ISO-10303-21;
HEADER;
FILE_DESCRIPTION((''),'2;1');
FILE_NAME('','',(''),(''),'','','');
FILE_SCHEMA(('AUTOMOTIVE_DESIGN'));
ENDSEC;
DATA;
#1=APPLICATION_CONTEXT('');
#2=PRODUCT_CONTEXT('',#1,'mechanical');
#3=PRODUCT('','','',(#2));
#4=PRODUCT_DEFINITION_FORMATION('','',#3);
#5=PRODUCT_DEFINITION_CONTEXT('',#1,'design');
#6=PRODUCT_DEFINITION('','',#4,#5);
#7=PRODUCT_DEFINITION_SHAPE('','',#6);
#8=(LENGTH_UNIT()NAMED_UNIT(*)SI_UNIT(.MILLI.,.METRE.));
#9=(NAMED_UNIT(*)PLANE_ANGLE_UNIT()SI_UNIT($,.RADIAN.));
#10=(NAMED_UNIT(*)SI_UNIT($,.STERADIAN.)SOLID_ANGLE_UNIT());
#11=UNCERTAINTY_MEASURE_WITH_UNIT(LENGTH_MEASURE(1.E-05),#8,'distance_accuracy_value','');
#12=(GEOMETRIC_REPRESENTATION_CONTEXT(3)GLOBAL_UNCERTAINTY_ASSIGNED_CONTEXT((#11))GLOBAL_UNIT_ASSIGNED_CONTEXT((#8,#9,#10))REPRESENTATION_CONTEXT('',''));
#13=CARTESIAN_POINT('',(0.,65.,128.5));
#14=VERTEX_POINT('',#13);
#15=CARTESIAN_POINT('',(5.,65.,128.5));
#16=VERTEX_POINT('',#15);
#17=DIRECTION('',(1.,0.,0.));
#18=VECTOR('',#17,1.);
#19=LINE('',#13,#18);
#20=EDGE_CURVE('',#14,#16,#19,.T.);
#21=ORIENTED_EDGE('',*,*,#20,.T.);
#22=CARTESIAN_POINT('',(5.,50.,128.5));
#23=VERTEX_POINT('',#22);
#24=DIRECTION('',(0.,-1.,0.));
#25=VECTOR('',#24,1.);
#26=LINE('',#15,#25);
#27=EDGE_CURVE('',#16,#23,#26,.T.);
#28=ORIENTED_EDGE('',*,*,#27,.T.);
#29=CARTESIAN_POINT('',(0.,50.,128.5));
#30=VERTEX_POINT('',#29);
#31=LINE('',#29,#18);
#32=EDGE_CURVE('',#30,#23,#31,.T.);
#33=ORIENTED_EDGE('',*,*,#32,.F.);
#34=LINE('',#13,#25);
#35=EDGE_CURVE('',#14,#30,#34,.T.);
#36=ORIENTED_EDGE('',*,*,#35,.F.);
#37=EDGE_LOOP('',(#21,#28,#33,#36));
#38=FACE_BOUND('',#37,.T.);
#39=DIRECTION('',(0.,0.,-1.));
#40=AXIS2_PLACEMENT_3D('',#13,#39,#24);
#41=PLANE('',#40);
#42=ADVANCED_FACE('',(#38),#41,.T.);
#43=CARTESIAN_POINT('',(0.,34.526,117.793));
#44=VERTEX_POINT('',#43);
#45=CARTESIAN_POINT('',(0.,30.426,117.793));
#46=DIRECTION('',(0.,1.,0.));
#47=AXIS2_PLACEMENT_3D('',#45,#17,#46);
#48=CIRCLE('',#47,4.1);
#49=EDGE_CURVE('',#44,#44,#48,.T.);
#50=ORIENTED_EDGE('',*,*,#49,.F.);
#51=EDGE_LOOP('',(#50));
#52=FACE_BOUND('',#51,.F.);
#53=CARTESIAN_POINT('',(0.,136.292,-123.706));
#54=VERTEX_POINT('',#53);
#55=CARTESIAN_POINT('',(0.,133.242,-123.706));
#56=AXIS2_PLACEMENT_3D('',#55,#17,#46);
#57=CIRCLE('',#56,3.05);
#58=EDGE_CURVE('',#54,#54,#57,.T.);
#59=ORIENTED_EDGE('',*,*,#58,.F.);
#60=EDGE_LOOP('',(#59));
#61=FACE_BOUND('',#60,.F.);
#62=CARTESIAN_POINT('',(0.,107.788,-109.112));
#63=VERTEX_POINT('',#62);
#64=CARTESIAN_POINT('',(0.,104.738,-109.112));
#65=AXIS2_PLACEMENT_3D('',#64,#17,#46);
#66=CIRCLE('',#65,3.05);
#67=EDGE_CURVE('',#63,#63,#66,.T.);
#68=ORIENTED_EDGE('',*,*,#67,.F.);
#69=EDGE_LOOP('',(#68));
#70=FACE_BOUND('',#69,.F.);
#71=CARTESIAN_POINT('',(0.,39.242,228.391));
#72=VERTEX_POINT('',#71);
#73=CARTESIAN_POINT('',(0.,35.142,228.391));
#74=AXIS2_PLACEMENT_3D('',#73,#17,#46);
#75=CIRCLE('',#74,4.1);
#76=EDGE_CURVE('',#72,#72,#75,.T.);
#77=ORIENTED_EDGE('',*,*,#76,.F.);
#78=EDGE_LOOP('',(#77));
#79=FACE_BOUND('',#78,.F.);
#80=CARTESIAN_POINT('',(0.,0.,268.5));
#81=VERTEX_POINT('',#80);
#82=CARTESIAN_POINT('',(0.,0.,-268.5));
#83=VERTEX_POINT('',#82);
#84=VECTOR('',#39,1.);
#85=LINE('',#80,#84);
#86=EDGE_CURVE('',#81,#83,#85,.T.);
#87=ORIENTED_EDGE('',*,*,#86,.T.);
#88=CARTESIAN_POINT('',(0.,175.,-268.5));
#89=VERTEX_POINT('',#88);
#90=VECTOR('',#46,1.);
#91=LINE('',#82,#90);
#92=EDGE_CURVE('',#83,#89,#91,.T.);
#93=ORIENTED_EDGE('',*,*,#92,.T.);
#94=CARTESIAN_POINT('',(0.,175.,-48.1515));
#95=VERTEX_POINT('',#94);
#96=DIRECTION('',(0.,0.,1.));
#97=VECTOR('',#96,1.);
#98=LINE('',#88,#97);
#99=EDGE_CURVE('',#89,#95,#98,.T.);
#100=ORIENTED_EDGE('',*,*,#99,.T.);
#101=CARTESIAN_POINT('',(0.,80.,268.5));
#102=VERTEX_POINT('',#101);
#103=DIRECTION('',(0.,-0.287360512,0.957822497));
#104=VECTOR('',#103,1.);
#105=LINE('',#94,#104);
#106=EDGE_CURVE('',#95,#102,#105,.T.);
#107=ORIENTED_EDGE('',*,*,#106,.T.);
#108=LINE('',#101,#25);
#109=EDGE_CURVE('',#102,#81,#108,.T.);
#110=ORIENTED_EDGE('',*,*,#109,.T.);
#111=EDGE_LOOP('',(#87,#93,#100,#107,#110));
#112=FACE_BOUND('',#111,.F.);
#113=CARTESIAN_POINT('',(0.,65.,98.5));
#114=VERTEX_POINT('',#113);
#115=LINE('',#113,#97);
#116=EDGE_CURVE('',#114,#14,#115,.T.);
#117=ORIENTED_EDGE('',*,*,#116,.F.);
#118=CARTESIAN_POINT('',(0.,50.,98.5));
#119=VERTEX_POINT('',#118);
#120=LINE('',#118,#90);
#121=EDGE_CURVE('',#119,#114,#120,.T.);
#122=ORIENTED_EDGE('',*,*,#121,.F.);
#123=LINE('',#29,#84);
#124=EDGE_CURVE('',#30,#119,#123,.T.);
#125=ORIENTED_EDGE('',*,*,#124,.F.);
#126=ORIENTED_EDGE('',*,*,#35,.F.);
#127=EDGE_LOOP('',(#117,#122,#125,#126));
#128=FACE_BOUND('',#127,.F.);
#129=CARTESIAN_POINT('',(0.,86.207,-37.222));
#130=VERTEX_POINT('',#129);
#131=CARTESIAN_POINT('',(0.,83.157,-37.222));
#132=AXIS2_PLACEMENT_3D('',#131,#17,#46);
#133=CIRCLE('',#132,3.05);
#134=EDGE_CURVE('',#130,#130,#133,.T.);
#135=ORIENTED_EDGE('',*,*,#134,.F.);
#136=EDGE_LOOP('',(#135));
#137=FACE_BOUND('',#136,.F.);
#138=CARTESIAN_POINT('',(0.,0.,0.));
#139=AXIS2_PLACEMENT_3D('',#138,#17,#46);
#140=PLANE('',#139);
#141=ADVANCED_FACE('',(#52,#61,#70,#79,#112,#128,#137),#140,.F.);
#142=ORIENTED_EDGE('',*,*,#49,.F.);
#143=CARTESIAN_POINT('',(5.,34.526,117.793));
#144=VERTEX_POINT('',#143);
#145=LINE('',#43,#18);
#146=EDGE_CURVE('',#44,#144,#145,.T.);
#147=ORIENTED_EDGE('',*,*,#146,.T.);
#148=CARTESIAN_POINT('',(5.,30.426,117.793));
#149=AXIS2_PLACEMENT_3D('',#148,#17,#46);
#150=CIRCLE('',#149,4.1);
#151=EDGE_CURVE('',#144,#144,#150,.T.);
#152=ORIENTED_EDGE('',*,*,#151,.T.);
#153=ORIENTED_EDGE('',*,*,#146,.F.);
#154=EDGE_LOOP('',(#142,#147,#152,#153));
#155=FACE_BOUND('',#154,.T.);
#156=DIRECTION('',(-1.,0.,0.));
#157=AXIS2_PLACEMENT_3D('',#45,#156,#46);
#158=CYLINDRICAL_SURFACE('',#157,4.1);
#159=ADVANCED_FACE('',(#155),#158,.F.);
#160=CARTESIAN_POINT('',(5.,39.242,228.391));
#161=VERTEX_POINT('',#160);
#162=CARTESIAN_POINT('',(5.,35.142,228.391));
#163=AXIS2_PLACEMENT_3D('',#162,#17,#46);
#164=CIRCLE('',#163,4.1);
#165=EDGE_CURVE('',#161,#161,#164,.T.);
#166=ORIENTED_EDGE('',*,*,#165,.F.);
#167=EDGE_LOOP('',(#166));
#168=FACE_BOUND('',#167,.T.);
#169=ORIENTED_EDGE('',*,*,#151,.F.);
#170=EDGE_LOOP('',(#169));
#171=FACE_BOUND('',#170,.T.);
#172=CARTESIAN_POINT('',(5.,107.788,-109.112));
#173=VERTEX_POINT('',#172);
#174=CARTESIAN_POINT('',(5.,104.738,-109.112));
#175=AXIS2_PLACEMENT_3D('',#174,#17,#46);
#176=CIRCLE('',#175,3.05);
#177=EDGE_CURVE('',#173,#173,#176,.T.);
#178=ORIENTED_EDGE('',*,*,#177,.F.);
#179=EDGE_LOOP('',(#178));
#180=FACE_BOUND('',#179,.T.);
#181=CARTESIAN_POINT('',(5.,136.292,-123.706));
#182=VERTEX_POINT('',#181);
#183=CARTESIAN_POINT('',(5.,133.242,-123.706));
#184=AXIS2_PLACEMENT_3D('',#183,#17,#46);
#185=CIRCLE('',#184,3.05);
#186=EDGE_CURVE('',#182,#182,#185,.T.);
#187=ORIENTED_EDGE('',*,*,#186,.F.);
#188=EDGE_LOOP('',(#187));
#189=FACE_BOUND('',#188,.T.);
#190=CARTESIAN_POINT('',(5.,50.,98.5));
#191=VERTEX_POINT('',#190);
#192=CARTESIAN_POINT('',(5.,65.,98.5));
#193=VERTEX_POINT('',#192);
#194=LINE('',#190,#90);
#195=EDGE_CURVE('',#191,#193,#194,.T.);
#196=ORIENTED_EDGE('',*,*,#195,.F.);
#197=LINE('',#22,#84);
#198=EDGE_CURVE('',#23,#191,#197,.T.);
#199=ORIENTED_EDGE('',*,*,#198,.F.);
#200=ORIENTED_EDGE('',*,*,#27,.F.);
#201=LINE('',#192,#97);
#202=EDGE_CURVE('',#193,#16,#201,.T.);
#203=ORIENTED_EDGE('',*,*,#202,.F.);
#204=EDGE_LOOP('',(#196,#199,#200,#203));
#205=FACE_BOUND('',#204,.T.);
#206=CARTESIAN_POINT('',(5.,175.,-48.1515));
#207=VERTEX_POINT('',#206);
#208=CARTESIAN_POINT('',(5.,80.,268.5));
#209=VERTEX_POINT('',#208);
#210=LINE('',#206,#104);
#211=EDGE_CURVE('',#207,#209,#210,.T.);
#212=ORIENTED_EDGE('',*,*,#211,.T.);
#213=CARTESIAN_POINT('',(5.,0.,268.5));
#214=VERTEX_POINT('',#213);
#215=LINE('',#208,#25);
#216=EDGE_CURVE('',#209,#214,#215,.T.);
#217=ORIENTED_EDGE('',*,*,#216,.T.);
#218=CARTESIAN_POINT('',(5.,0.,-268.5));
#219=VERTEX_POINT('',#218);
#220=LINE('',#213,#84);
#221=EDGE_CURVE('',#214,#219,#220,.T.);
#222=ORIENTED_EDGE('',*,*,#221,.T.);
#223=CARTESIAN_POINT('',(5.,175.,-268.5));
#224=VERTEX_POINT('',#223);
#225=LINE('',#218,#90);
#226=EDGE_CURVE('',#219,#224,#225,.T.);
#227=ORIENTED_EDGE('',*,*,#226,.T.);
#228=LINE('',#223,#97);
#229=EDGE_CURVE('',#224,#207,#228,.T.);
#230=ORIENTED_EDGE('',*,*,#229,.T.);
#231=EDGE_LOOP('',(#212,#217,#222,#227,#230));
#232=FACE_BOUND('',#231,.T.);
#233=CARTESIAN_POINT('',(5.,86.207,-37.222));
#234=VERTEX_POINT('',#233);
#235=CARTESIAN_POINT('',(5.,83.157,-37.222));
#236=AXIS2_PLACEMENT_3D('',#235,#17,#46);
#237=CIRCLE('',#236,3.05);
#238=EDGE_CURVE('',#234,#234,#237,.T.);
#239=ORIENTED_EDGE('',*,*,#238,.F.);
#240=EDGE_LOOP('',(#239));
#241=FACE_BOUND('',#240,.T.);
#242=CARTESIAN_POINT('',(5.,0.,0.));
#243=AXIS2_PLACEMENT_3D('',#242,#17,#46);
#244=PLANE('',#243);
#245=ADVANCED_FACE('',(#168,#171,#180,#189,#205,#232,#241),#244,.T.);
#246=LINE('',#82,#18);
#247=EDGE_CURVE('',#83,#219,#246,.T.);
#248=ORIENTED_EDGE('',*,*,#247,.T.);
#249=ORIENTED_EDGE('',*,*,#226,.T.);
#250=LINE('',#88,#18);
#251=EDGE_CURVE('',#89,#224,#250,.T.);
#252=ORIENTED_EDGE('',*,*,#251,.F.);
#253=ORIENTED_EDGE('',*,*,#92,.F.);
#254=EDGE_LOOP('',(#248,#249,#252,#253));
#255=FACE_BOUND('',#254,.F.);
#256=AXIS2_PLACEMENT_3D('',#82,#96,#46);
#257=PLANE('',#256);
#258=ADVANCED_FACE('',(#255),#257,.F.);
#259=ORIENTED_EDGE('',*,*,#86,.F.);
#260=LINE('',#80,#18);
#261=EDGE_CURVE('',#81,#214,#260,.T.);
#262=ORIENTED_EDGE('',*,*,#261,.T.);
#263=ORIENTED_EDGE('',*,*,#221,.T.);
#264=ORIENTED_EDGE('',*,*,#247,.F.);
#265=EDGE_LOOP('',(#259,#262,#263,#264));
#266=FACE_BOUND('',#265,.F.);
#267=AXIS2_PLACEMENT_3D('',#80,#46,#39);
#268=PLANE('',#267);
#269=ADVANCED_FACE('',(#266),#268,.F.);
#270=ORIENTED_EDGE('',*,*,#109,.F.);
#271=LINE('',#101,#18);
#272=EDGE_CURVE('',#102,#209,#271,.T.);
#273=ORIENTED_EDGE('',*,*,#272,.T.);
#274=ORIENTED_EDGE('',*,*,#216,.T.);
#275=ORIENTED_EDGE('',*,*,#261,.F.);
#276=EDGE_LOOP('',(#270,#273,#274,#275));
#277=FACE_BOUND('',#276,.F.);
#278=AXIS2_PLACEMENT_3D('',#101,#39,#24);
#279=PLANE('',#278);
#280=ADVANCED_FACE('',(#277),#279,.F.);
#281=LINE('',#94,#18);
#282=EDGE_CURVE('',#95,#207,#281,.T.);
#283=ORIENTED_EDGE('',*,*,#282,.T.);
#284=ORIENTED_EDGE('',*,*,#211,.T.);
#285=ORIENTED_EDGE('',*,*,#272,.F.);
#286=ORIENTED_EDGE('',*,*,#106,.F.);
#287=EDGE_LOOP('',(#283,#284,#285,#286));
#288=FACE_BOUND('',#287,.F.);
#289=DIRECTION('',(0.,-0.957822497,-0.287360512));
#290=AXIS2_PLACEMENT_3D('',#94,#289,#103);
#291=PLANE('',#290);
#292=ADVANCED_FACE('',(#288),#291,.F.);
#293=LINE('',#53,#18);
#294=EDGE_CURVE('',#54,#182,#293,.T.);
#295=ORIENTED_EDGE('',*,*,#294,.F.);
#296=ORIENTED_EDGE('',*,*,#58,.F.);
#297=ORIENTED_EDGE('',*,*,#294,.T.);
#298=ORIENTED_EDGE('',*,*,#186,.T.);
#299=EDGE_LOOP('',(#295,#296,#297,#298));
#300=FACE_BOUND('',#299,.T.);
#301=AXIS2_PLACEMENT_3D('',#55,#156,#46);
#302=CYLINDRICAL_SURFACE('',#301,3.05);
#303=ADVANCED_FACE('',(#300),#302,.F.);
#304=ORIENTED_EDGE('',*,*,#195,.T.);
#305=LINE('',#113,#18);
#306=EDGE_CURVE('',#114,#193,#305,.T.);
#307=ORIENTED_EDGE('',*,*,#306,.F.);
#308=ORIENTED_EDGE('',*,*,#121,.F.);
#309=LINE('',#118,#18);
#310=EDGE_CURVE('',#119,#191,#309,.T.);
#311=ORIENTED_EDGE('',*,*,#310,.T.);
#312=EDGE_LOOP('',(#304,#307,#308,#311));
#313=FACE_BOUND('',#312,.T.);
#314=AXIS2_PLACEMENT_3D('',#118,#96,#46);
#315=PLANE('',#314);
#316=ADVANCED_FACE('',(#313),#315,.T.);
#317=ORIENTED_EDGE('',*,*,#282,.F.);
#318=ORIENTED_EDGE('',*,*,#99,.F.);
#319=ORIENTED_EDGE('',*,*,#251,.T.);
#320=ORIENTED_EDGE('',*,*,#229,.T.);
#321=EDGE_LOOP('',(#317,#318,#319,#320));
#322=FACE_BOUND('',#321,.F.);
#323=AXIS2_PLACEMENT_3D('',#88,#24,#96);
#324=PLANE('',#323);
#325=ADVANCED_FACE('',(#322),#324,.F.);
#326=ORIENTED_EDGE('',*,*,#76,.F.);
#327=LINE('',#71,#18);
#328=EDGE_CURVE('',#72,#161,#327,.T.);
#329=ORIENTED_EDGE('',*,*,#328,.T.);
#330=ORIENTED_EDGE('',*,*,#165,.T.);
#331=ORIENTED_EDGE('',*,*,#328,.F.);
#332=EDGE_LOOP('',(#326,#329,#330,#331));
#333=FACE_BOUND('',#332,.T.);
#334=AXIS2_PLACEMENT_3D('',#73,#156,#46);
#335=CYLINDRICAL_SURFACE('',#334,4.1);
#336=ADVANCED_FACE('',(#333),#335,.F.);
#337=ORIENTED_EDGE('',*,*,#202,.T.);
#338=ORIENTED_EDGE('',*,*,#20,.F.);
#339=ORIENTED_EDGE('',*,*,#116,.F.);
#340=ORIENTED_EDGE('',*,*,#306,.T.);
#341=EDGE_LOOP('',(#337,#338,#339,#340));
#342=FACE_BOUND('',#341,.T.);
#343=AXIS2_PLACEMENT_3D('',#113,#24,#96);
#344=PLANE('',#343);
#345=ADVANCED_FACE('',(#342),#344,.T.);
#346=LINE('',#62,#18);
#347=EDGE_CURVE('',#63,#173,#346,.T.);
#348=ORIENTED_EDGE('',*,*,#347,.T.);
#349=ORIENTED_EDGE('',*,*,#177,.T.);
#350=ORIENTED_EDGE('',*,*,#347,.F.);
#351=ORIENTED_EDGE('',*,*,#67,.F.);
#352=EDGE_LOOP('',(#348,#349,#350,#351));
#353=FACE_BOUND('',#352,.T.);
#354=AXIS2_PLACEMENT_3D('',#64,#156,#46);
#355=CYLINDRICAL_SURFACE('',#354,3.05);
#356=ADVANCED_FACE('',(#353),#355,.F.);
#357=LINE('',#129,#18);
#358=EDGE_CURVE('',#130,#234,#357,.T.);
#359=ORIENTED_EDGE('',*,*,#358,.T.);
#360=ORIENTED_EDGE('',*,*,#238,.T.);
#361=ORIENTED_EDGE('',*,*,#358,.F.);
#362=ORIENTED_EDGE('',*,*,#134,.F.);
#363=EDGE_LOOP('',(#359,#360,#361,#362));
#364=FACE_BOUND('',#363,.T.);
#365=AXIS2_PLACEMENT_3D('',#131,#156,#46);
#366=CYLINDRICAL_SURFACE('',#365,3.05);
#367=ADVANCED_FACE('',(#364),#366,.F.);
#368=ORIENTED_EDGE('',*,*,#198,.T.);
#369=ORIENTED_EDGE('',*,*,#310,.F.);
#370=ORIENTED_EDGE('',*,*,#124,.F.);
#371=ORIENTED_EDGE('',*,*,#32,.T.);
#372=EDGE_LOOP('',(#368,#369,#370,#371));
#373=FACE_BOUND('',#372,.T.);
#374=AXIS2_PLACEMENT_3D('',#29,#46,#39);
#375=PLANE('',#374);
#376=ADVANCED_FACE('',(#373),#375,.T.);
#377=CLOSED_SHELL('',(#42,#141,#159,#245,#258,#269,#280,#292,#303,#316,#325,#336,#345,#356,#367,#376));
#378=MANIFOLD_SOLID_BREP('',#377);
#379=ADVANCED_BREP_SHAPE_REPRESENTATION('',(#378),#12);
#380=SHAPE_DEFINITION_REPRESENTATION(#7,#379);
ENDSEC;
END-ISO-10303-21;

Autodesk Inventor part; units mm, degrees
ref_plane "YZ Plane" through (0, 0, 0) normal (1, 0, 0) x (0, 1, 0)
ref_plane "XZ Plane" through (0, 0, 0) normal (0, 1, 0) x (-1, 0, 0)
ref_plane "XY Plane" through (0, 0, 0) normal (0, 0, 1) x (1, 0, 0)
sketch "スケッチ1" plane through (0, 0, 0) normal (1, 0, 0) x (0, 1, 0)
  line L0 (0, 268.5) -> (0, -268.5)
  line L1 (0, -268.5) -> (175, -268.5)
  line L2 (175, -268.5) -> (175, -48.1515)
  line L3 (175, -48.1515) -> (80, 268.5)
  line L4 (80, 268.5) -> (0, 268.5)
  circle A0 centre (35.142, 228.391) radius 4.1
  circle A1 centre (30.426, 117.793) radius 4.1
  circle A2 centre (83.157, -37.222) radius 3.05
  circle A3 centre (104.738, -109.112) radius 3.05
  circle A4 centre (133.242, -123.706) radius 3.05
  line L5 (65, 128.5) -> (50, 128.5)
  line L6 (50, 128.5) -> (50, 98.5)
  line L7 (50, 98.5) -> (65, 98.5)
  line L8 (65, 98.5) -> (65, 128.5)
  point P0 (0, 0)
  point P1 (0, 0)
  dimension "d0" = 537
  dimension "d1" = 175
  dimension "d2" = 80
  dimension "d3" = 16.7
  dimension "d4" = 40.109
  dimension "d5" = 35.142
  dimension "d6" = 8.2
  dimension "d7" = 150.707
  dimension "d8" = 30.426
  dimension "d9" = 8.2
  dimension "d10" = 305.722
  dimension "d11" = 83.157
  dimension "d12" = 377.612
  dimension "d13" = 104.738
  dimension "d14" = 6.1
  dimension "d15" = 6.1
  dimension "d16" = 133.242
  dimension "d17" = 392.206
  dimension "d18" = 6.1
  dimension "d19" = 140
  dimension "d20" = 50
  dimension "d21" = 30
  dimension "d22" = 15
extrude "押し出し1" add sketch "スケッチ1" along normal blind 5
